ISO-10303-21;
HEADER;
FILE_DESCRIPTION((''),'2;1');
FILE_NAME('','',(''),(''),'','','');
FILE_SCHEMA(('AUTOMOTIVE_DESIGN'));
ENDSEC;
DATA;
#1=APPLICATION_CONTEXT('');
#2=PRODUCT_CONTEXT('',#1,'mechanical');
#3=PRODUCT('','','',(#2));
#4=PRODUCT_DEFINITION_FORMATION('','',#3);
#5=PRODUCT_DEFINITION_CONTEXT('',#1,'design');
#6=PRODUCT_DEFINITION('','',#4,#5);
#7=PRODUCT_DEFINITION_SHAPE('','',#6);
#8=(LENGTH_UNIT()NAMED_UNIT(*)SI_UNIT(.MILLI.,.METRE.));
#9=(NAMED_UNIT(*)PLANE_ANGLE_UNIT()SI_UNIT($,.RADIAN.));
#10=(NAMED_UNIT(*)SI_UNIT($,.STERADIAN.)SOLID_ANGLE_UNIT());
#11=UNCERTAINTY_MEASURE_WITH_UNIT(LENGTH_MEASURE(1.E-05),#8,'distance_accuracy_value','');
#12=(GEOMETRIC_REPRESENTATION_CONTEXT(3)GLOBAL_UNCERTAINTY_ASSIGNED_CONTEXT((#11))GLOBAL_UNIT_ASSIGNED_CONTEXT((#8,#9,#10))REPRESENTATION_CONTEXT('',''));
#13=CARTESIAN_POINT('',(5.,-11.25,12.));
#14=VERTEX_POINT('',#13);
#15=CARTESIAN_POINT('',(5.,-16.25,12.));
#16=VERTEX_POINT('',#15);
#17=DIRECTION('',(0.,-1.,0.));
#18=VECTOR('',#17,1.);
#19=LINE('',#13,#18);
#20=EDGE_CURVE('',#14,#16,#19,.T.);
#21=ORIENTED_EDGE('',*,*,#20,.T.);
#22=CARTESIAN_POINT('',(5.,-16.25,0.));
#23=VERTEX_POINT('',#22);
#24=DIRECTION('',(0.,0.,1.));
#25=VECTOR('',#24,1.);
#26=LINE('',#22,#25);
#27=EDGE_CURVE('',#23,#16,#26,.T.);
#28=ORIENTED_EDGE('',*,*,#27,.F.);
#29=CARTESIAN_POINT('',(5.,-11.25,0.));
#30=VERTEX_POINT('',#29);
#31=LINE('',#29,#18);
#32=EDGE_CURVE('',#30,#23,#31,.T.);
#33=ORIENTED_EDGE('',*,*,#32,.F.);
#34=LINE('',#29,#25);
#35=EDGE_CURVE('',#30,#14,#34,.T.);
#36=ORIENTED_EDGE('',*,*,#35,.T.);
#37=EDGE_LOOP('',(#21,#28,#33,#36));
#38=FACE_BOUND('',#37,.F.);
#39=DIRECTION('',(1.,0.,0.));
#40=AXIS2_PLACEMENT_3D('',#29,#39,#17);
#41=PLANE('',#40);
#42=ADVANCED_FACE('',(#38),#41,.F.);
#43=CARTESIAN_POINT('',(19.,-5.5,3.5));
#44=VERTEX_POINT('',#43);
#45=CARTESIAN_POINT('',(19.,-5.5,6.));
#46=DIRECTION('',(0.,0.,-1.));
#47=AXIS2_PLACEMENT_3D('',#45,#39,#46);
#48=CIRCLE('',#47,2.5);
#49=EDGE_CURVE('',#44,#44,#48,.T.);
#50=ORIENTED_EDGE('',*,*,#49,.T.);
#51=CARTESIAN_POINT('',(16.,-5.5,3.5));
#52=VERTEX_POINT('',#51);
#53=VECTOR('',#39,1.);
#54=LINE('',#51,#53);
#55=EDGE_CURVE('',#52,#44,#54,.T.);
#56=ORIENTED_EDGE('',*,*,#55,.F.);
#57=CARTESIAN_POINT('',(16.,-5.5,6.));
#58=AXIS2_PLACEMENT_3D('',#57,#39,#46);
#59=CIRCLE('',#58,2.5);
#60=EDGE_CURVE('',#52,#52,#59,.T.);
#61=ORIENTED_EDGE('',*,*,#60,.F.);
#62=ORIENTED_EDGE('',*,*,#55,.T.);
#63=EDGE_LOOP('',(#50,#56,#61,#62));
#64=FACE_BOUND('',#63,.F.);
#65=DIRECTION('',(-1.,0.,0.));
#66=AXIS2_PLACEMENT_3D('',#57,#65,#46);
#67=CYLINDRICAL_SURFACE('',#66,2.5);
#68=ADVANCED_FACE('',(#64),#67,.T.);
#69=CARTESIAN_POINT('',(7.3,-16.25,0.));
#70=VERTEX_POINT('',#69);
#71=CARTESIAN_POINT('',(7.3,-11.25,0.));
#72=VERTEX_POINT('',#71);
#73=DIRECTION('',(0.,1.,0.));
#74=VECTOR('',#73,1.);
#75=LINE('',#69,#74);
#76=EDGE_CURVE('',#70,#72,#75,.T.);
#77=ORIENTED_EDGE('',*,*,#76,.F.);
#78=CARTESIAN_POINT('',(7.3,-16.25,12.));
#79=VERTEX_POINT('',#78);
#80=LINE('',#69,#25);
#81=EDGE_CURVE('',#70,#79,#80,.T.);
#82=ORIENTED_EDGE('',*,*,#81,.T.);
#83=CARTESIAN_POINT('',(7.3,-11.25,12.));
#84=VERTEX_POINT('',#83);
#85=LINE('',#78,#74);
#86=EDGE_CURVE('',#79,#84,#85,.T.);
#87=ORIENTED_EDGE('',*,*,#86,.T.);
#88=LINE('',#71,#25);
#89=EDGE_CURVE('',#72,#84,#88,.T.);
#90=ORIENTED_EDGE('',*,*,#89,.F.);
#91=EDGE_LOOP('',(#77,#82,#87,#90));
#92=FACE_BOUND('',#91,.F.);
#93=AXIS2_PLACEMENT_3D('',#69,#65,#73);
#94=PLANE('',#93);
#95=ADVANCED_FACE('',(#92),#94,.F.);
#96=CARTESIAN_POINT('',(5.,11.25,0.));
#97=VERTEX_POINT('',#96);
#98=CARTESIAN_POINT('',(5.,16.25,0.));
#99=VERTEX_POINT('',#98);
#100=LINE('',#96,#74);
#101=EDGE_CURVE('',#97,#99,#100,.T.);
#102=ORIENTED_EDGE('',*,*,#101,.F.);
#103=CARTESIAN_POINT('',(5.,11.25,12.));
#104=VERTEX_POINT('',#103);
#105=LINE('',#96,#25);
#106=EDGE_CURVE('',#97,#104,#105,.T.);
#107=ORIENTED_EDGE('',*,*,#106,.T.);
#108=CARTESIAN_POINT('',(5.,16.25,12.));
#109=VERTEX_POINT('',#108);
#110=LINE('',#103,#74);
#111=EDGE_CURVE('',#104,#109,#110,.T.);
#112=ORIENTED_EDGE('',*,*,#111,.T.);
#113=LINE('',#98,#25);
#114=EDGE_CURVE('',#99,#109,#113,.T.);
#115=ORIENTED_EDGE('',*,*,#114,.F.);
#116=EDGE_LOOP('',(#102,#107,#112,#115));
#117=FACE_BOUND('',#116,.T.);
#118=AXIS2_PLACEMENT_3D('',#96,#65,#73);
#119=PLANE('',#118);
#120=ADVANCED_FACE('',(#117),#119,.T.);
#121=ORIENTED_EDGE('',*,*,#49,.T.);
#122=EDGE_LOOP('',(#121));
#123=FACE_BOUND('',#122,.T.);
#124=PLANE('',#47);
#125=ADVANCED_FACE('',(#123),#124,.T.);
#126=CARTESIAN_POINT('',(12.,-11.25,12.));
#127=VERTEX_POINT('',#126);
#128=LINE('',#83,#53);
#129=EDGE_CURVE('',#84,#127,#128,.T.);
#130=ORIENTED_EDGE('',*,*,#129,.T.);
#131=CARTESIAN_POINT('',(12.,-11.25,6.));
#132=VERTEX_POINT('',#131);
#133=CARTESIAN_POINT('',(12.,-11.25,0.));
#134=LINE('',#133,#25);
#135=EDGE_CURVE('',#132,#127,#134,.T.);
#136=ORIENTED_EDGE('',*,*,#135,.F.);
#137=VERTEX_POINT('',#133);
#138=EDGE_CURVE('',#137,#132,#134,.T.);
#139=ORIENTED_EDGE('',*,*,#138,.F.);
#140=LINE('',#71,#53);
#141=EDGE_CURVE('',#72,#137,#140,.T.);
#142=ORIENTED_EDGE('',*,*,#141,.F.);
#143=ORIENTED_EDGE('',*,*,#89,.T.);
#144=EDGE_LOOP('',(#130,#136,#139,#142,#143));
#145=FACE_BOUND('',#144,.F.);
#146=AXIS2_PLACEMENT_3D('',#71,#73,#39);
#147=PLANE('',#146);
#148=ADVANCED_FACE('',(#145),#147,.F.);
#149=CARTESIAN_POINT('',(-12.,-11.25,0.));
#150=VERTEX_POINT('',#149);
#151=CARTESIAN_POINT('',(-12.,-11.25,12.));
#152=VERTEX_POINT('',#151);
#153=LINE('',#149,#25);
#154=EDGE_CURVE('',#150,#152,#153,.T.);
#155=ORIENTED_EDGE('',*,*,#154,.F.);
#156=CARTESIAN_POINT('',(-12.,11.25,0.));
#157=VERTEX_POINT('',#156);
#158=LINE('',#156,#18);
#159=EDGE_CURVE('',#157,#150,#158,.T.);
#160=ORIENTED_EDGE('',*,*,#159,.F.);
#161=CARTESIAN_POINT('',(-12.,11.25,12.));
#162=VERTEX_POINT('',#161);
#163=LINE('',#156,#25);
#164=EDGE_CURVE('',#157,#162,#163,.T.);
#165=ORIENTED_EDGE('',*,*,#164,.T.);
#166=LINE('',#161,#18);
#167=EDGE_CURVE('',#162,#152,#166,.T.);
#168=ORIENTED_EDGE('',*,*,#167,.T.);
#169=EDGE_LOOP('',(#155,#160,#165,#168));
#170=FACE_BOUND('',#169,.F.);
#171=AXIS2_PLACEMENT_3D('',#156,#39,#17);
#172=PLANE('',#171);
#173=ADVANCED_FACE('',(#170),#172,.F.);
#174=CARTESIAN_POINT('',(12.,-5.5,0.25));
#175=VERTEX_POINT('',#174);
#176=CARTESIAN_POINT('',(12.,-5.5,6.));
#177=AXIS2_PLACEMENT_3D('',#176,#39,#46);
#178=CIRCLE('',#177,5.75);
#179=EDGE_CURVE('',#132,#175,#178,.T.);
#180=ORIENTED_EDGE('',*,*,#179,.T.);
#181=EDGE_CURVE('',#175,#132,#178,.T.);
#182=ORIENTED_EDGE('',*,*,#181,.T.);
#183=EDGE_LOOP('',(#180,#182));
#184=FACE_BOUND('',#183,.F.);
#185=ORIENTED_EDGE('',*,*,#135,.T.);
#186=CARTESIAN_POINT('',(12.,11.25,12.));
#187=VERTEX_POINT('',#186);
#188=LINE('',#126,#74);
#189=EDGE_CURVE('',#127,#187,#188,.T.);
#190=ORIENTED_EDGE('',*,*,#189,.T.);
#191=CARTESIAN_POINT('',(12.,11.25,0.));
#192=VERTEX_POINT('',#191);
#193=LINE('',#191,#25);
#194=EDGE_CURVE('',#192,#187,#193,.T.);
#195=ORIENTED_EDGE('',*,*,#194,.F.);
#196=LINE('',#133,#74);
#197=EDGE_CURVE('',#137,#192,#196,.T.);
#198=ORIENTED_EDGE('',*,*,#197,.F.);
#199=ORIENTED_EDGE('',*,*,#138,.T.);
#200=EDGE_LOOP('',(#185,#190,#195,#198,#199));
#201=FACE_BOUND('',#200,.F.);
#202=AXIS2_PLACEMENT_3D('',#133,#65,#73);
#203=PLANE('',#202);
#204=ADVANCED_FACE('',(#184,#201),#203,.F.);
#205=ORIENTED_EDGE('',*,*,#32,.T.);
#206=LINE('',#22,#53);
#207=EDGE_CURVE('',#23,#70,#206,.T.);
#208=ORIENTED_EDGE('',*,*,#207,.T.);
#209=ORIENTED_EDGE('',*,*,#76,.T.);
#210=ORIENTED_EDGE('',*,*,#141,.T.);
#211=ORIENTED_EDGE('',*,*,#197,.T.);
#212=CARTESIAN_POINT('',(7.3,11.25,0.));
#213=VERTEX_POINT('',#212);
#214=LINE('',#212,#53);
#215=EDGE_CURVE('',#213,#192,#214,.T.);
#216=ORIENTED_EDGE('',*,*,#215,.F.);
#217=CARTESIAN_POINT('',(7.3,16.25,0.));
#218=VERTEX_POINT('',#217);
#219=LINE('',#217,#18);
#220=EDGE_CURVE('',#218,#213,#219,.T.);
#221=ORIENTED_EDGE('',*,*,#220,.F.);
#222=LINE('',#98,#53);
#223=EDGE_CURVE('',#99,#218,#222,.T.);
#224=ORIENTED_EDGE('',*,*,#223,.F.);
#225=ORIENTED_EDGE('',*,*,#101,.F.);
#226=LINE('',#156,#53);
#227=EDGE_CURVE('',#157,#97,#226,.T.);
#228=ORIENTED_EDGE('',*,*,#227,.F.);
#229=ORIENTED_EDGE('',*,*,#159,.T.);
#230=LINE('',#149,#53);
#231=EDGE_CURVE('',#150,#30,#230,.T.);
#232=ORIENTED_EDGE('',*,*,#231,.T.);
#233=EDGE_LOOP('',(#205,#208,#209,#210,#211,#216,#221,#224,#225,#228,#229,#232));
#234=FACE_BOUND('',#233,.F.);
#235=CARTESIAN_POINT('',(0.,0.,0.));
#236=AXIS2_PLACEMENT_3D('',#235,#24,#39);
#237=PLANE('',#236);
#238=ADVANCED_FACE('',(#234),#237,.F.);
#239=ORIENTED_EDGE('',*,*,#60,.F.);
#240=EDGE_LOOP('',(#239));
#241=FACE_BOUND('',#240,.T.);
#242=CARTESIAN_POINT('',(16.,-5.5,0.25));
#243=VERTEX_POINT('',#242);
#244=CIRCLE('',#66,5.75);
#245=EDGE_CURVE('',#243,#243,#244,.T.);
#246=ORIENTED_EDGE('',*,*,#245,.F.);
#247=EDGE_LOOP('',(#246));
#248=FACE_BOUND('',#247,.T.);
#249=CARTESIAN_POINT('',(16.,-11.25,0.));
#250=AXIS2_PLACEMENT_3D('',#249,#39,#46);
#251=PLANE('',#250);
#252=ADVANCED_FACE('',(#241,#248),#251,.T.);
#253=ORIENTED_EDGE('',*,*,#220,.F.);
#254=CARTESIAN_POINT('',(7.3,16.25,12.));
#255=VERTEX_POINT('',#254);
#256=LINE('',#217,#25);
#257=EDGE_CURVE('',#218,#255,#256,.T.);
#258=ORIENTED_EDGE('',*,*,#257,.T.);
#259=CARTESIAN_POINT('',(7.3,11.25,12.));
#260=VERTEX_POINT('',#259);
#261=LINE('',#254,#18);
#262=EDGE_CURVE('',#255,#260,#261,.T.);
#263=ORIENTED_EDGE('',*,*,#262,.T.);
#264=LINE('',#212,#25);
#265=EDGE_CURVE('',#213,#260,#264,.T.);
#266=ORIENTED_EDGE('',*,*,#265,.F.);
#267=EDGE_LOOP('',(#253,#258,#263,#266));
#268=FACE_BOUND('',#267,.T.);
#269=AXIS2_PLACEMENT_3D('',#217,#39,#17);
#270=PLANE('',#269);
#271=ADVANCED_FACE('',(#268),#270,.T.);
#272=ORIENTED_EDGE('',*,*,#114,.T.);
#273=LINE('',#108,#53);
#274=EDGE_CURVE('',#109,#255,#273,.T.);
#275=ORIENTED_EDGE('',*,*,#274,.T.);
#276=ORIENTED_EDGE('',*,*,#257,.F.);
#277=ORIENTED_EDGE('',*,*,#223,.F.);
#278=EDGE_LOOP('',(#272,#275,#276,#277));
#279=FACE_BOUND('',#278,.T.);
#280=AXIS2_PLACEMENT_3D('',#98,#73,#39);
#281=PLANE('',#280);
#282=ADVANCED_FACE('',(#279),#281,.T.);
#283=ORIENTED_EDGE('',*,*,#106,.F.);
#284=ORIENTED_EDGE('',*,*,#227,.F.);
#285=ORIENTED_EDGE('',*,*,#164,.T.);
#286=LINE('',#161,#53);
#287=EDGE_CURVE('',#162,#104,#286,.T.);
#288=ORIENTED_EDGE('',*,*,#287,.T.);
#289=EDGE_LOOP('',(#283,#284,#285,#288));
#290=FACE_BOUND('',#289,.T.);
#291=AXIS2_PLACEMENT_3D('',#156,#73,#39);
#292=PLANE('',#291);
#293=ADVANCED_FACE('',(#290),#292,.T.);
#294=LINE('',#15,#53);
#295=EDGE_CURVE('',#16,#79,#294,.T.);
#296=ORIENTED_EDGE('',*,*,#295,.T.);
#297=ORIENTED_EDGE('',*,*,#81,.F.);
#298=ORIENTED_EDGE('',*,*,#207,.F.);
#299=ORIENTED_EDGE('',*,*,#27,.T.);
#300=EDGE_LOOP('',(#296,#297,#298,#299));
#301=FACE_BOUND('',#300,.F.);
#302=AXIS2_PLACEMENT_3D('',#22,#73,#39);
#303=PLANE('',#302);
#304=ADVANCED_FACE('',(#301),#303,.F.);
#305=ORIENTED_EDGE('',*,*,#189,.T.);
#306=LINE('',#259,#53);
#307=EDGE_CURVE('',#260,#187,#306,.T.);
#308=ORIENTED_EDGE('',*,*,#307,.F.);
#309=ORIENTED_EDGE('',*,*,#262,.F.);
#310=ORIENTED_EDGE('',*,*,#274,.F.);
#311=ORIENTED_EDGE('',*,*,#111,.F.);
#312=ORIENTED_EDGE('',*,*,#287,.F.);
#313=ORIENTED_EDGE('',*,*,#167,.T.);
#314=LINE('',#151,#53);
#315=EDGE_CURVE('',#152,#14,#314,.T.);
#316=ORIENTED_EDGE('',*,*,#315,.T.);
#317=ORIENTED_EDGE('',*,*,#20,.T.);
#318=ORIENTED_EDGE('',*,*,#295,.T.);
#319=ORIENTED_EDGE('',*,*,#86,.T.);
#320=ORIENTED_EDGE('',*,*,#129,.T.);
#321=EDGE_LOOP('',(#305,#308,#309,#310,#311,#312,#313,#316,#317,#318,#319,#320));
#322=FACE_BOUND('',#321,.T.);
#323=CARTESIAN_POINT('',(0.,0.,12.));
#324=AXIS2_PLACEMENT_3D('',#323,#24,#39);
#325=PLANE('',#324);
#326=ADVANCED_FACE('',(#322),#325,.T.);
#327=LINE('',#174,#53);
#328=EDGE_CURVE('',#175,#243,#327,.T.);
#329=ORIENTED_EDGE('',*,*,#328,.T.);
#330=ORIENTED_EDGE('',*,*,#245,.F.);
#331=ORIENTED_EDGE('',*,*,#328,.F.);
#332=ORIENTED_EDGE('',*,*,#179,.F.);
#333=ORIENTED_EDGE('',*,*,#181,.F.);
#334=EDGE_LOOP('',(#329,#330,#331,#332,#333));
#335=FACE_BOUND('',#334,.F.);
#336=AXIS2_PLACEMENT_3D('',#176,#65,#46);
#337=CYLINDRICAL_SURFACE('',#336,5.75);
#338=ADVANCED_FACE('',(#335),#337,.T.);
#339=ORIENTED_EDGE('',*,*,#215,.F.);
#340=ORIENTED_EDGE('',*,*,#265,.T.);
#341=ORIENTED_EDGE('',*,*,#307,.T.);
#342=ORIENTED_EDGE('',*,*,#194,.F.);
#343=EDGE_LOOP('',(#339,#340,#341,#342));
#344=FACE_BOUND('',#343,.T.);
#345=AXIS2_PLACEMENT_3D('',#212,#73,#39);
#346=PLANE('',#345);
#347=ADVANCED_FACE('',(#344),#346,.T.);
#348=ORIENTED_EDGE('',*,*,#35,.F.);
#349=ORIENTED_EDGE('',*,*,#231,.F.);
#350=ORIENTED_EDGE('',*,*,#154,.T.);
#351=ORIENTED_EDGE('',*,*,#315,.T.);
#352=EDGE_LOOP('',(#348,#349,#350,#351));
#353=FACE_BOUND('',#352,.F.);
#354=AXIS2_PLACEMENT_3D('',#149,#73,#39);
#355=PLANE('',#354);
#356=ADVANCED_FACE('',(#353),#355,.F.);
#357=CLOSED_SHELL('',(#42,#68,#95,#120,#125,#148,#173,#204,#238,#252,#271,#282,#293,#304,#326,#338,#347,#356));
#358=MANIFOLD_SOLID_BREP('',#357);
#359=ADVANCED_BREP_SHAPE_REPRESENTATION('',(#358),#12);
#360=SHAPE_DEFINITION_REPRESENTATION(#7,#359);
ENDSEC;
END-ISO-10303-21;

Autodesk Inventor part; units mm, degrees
sketch "Sketch14" plane through (0, 0, 0) normal (0, 0, 1) x (1, 0, 0)
  line L0 (12, -11.25) -> (12, 11.25)
  line L1 (-12, 11.25) -> (-12, -11.25)
  line L2 (-12, -11.25) -> (12, 11.25) construction
  line L3 (12, -11.25) -> (-12, 11.25) construction
  line L4 (-12, 11.25) -> (5, 11.25)
  line L5 (5, 11.25) -> (5, 16.25)
  line L6 (5, 16.25) -> (7.3, 16.25)
  line L7 (7.3, 16.25) -> (7.3, 11.25)
  line L8 (5, -11.25) -> (5, -16.25)
  line L9 (5, -16.25) -> (7.3, -16.25)
  line L10 (7.3, -16.25) -> (7.3, -11.25)
  line L11 (7.3, 11.25) -> (12, 11.25)
  line L12 (7.3, -11.25) -> (12, -11.25)
  line L13 (-12, -11.25) -> (5, -11.25)
  line L14 (7.3, -11.25) -> (7.3, -16.25)
  line L15 (5, -16.25) -> (5, -11.25)
  line L16 (-12, -11.25) -> (-12, 11.25)
  line L17 (5, 11.25) -> (-12, 11.25)
  line L18 (-12, -11.25) -> (5, -11.25)
  line L19 (5, -11.25) -> (5, -16.25)
  line L20 (7.3, -11.25) -> (12, -11.25)
  line L21 (12, 11.25) -> (7.3, 11.25)
  line L22 (-12, 11.25) -> (12, 11.25)
  line L23 (12, 11.25) -> (12, -11.25)
  line L24 (12, -11.25) -> (-12, -11.25)
  line L25 (-12, -11.25) -> (-12, 11.25)
  line L26 (5, 16.25) -> (7.3, 16.25)
  line L27 (7.3, 16.25) -> (7.3, 11.25)
  line L28 (7.3, 11.25) -> (5, 11.25)
  line L29 (5, 11.25) -> (5, 16.25)
  line L30 (5, -11.25) -> (7.3, -11.25)
  line L31 (7.3, -11.25) -> (7.3, -16.25)
  line L32 (7.3, -16.25) -> (5, -16.25)
  line L33 (5, -16.25) -> (5, -11.25)
  point P0 (0, 0)
  dimension "d105" = 24
  dimension "d106" = 22.5
  dimension "d107" = 17
  dimension "d108" = 5
  dimension "d109" = 2.3
extrude "Extrusion12" add sketch "Sketch14" along normal blind 12
sketch "Sketch15" plane through (12, -11.25, 0) normal (1, 0, 0) x (0, 0, -1)
  line L0 (0, 0) -> (0, -5) projected
  line L1 (0, -5) -> (-6, -5)
  line L2 (0, -5) -> (-12, -5) projected
  line L3 (-6, -5) -> (-6, 5.75)
  circle A0 centre (-6, 5.75) radius 5.75
  point P0 (0, 11.25)
  dimension "d112" = 10.75
  dimension "d113" = 11.5
extrude "Extrusion13" add sketch "Sketch15" along normal blind 4
sketch "Sketch16" plane through (16, -5.5, 6) normal (1, 0, 0) x (0, 0, -1)
  circle A0 centre (0, 0) radius 5.75 projected
  circle A1 centre (0, 0) radius 2.5
  point P0 (6, 5.5)
  dimension "d116" = 5
extrude "Extrusion14" add sketch "Sketch16" along normal blind 3 contours A1
sketch "Sketch18" plane through (0, 0, 12) normal (0, 0, 1) x (1, 0, 0)
  line L0 (-10.7887, 4.9339) -> (3.2892, 4.9339) construction
  line L1 (3.2892, 4.9339) -> (3.2892, -9.473) construction
  line L2 (3.2892, -9.473) -> (-10.7887, -9.473) construction
  line L3 (-10.7887, -9.473) -> (-10.7887, 4.9339) construction
  point P0 (0, 0)
properties part number "Motor Waterkanon" material "S235"
